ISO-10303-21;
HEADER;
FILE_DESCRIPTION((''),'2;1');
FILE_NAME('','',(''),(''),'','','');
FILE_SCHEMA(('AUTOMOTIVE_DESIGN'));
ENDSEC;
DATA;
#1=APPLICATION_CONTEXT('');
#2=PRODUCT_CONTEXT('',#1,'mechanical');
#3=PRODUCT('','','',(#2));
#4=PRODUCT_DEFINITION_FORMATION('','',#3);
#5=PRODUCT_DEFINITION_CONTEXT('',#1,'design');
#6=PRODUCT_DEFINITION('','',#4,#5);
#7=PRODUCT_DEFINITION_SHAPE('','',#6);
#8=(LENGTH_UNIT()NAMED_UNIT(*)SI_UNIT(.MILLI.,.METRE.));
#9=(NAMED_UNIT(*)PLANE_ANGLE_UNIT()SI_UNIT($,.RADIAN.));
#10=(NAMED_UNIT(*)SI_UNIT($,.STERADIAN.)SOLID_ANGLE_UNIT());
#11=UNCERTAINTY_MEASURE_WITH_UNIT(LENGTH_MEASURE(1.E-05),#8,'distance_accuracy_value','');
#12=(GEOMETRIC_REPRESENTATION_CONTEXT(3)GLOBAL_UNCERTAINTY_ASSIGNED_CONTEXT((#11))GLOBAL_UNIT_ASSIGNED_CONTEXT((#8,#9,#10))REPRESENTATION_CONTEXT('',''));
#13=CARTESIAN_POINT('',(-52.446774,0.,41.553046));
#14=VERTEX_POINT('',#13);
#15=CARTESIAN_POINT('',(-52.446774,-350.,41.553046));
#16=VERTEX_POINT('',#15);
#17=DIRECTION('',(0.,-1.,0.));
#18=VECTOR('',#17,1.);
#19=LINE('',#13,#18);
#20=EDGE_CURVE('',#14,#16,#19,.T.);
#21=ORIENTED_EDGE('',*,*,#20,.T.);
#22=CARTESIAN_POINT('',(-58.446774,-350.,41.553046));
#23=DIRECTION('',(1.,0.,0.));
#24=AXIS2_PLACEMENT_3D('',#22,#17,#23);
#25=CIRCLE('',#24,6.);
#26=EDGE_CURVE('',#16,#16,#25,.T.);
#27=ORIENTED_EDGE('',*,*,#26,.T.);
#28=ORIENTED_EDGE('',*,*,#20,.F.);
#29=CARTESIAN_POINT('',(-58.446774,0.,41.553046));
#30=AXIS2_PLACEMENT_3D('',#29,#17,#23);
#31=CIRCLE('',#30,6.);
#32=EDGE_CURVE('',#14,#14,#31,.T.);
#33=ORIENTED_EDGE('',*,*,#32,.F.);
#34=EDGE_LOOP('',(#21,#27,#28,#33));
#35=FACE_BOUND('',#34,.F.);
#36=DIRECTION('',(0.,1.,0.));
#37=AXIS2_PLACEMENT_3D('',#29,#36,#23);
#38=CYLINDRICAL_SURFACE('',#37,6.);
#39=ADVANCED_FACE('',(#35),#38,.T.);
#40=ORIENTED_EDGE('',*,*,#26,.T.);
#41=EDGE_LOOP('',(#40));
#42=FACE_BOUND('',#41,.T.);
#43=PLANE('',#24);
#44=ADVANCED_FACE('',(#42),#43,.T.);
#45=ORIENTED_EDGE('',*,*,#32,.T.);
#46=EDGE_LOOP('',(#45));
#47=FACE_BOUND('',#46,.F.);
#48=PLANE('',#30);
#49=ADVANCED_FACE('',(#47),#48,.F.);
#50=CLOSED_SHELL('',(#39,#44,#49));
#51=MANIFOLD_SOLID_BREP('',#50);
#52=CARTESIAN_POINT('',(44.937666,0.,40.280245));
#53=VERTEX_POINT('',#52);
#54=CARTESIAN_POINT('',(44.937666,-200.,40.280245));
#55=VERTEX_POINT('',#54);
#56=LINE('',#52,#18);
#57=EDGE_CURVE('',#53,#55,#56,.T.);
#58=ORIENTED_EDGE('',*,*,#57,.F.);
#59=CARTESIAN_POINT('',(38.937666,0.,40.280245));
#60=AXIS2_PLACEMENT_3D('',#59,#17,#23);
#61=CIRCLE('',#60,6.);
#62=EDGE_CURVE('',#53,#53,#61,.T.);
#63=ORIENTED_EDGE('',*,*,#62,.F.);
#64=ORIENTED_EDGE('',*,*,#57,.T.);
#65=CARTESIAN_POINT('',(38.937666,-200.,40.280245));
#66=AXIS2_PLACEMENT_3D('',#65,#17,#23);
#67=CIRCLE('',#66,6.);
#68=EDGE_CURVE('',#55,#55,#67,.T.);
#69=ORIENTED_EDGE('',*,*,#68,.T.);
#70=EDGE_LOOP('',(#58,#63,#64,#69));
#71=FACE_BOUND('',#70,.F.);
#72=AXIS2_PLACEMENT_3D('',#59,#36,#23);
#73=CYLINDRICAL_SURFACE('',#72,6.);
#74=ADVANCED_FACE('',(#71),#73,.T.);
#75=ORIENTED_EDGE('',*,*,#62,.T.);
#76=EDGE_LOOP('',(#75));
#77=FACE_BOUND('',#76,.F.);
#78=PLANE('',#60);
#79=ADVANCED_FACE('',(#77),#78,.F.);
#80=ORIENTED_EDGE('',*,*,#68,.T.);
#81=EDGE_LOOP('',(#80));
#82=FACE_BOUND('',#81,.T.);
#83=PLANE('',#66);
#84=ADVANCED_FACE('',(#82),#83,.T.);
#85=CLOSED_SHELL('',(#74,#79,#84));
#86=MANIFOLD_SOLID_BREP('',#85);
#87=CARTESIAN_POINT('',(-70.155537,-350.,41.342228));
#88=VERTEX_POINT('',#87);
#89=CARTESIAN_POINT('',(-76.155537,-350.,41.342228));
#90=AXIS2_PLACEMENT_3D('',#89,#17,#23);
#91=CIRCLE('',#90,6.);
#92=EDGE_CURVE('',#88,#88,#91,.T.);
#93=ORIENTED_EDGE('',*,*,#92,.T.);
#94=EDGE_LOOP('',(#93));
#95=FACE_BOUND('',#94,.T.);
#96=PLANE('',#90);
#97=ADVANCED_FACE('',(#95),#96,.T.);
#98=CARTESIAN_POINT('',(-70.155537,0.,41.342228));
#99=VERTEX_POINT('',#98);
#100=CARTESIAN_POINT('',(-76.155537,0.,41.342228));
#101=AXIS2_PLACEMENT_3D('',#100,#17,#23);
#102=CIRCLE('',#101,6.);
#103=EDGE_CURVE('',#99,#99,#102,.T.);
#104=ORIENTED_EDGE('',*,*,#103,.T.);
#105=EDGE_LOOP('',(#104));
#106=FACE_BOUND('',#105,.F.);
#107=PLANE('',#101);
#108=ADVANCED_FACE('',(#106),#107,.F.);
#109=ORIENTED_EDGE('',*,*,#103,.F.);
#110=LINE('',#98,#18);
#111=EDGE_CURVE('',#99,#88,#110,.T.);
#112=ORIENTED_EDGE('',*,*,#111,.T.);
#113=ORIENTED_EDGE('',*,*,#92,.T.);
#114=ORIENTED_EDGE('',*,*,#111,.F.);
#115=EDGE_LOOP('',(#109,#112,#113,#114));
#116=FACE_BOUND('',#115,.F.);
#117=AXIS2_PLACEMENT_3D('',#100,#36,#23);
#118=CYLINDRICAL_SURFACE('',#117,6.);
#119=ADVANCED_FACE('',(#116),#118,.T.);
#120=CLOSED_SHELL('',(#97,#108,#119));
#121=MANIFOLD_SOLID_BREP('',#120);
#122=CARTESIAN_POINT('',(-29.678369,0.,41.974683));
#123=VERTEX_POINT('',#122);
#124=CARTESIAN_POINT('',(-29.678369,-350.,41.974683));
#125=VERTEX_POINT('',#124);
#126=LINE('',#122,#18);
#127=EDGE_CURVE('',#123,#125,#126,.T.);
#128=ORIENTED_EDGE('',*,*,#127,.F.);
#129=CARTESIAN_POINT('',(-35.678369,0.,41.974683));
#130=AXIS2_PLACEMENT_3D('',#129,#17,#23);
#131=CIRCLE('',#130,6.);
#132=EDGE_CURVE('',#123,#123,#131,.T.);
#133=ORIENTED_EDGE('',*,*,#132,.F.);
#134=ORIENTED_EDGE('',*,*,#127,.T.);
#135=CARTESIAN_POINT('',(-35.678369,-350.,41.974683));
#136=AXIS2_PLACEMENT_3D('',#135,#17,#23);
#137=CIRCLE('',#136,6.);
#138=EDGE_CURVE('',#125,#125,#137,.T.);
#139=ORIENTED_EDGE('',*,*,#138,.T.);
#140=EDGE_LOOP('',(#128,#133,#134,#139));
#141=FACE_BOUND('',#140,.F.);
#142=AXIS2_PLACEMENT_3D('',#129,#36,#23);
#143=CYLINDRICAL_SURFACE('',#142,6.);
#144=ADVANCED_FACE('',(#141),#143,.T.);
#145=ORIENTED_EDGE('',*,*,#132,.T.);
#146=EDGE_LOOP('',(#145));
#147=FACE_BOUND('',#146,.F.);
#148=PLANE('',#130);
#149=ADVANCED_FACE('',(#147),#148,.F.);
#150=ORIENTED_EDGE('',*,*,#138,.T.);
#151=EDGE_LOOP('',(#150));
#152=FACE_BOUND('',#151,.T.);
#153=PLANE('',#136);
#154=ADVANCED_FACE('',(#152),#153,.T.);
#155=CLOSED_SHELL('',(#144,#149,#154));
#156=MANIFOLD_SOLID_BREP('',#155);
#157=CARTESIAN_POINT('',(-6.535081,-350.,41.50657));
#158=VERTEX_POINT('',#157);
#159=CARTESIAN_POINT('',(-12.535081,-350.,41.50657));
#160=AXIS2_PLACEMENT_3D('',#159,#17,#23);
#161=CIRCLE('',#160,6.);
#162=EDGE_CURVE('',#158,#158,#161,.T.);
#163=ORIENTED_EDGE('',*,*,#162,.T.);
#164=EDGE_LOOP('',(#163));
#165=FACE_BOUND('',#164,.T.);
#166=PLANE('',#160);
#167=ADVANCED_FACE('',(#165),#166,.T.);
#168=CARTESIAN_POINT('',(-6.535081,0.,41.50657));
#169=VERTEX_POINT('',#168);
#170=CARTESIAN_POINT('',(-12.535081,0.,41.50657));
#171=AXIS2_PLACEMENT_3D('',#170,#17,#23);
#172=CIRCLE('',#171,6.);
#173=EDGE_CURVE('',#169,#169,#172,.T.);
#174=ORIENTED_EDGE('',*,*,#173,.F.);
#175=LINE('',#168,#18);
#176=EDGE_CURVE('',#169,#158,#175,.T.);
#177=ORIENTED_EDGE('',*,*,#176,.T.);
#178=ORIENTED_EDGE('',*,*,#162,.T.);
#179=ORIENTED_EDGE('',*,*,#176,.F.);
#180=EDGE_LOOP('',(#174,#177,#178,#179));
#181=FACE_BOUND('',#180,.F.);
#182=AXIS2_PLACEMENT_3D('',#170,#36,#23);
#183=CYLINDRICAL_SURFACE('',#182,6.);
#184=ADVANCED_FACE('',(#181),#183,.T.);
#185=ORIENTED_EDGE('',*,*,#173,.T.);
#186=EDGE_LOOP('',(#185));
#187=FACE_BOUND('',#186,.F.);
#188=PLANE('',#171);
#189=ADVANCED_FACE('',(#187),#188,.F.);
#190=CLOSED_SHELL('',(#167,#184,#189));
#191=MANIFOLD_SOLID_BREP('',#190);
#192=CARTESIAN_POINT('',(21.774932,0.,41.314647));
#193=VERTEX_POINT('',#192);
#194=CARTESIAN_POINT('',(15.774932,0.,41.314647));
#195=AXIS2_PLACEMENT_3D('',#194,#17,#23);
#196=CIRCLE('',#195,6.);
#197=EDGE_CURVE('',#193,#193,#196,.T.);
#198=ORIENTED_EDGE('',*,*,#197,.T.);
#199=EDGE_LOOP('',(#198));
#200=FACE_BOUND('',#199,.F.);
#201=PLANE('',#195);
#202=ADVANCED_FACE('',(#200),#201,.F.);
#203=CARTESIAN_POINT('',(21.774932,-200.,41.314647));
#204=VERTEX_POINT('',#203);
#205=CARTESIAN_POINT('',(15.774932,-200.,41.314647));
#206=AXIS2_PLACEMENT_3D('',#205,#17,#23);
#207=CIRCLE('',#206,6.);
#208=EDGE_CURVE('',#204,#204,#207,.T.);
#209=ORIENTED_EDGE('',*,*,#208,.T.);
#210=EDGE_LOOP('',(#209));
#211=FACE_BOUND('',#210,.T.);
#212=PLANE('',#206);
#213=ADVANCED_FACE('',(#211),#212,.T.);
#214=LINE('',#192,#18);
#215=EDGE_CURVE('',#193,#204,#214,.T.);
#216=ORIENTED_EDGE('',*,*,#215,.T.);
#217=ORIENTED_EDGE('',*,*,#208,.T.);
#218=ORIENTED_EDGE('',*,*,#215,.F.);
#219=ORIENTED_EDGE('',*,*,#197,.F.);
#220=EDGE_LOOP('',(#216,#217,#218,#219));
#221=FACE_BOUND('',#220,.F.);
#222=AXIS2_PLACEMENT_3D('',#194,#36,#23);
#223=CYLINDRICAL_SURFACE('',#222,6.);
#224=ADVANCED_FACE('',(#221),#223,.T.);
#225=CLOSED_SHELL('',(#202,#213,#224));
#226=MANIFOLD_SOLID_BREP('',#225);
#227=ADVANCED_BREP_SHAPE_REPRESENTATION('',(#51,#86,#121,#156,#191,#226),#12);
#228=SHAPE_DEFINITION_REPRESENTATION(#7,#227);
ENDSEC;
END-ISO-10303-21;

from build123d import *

# Parameters (mm, degrees)
F0_R     = 6
F1_DEPTH = 350
F2_DEPTH = 200


with BuildPart() as f1:
    # F0 (on Front) → F1 (new body)
    with BuildSketch(Plane.XZ):
        with Locations((-76.155537, 41.342228)):
            Circle(F0_R)
        with Locations((-58.446774, 41.553046)):
            Circle(F0_R)
        with Locations((-35.678369, 41.974683)):
            Circle(F0_R)
        with Locations((-12.535081, 41.50657)):
            Circle(F0_R)
    extrude(amount=F1_DEPTH)


with BuildPart() as f2:
    # F0 (on Front) → F2 (new body)
    with BuildSketch(Plane.XZ):
        with Locations((15.774932, 41.314647)):
            Circle(F0_R)
        with Locations((38.937666, 40.280245)):
            Circle(F0_R)
    extrude(amount=F2_DEPTH)


solid = Compound([f1.part, f2.part])
